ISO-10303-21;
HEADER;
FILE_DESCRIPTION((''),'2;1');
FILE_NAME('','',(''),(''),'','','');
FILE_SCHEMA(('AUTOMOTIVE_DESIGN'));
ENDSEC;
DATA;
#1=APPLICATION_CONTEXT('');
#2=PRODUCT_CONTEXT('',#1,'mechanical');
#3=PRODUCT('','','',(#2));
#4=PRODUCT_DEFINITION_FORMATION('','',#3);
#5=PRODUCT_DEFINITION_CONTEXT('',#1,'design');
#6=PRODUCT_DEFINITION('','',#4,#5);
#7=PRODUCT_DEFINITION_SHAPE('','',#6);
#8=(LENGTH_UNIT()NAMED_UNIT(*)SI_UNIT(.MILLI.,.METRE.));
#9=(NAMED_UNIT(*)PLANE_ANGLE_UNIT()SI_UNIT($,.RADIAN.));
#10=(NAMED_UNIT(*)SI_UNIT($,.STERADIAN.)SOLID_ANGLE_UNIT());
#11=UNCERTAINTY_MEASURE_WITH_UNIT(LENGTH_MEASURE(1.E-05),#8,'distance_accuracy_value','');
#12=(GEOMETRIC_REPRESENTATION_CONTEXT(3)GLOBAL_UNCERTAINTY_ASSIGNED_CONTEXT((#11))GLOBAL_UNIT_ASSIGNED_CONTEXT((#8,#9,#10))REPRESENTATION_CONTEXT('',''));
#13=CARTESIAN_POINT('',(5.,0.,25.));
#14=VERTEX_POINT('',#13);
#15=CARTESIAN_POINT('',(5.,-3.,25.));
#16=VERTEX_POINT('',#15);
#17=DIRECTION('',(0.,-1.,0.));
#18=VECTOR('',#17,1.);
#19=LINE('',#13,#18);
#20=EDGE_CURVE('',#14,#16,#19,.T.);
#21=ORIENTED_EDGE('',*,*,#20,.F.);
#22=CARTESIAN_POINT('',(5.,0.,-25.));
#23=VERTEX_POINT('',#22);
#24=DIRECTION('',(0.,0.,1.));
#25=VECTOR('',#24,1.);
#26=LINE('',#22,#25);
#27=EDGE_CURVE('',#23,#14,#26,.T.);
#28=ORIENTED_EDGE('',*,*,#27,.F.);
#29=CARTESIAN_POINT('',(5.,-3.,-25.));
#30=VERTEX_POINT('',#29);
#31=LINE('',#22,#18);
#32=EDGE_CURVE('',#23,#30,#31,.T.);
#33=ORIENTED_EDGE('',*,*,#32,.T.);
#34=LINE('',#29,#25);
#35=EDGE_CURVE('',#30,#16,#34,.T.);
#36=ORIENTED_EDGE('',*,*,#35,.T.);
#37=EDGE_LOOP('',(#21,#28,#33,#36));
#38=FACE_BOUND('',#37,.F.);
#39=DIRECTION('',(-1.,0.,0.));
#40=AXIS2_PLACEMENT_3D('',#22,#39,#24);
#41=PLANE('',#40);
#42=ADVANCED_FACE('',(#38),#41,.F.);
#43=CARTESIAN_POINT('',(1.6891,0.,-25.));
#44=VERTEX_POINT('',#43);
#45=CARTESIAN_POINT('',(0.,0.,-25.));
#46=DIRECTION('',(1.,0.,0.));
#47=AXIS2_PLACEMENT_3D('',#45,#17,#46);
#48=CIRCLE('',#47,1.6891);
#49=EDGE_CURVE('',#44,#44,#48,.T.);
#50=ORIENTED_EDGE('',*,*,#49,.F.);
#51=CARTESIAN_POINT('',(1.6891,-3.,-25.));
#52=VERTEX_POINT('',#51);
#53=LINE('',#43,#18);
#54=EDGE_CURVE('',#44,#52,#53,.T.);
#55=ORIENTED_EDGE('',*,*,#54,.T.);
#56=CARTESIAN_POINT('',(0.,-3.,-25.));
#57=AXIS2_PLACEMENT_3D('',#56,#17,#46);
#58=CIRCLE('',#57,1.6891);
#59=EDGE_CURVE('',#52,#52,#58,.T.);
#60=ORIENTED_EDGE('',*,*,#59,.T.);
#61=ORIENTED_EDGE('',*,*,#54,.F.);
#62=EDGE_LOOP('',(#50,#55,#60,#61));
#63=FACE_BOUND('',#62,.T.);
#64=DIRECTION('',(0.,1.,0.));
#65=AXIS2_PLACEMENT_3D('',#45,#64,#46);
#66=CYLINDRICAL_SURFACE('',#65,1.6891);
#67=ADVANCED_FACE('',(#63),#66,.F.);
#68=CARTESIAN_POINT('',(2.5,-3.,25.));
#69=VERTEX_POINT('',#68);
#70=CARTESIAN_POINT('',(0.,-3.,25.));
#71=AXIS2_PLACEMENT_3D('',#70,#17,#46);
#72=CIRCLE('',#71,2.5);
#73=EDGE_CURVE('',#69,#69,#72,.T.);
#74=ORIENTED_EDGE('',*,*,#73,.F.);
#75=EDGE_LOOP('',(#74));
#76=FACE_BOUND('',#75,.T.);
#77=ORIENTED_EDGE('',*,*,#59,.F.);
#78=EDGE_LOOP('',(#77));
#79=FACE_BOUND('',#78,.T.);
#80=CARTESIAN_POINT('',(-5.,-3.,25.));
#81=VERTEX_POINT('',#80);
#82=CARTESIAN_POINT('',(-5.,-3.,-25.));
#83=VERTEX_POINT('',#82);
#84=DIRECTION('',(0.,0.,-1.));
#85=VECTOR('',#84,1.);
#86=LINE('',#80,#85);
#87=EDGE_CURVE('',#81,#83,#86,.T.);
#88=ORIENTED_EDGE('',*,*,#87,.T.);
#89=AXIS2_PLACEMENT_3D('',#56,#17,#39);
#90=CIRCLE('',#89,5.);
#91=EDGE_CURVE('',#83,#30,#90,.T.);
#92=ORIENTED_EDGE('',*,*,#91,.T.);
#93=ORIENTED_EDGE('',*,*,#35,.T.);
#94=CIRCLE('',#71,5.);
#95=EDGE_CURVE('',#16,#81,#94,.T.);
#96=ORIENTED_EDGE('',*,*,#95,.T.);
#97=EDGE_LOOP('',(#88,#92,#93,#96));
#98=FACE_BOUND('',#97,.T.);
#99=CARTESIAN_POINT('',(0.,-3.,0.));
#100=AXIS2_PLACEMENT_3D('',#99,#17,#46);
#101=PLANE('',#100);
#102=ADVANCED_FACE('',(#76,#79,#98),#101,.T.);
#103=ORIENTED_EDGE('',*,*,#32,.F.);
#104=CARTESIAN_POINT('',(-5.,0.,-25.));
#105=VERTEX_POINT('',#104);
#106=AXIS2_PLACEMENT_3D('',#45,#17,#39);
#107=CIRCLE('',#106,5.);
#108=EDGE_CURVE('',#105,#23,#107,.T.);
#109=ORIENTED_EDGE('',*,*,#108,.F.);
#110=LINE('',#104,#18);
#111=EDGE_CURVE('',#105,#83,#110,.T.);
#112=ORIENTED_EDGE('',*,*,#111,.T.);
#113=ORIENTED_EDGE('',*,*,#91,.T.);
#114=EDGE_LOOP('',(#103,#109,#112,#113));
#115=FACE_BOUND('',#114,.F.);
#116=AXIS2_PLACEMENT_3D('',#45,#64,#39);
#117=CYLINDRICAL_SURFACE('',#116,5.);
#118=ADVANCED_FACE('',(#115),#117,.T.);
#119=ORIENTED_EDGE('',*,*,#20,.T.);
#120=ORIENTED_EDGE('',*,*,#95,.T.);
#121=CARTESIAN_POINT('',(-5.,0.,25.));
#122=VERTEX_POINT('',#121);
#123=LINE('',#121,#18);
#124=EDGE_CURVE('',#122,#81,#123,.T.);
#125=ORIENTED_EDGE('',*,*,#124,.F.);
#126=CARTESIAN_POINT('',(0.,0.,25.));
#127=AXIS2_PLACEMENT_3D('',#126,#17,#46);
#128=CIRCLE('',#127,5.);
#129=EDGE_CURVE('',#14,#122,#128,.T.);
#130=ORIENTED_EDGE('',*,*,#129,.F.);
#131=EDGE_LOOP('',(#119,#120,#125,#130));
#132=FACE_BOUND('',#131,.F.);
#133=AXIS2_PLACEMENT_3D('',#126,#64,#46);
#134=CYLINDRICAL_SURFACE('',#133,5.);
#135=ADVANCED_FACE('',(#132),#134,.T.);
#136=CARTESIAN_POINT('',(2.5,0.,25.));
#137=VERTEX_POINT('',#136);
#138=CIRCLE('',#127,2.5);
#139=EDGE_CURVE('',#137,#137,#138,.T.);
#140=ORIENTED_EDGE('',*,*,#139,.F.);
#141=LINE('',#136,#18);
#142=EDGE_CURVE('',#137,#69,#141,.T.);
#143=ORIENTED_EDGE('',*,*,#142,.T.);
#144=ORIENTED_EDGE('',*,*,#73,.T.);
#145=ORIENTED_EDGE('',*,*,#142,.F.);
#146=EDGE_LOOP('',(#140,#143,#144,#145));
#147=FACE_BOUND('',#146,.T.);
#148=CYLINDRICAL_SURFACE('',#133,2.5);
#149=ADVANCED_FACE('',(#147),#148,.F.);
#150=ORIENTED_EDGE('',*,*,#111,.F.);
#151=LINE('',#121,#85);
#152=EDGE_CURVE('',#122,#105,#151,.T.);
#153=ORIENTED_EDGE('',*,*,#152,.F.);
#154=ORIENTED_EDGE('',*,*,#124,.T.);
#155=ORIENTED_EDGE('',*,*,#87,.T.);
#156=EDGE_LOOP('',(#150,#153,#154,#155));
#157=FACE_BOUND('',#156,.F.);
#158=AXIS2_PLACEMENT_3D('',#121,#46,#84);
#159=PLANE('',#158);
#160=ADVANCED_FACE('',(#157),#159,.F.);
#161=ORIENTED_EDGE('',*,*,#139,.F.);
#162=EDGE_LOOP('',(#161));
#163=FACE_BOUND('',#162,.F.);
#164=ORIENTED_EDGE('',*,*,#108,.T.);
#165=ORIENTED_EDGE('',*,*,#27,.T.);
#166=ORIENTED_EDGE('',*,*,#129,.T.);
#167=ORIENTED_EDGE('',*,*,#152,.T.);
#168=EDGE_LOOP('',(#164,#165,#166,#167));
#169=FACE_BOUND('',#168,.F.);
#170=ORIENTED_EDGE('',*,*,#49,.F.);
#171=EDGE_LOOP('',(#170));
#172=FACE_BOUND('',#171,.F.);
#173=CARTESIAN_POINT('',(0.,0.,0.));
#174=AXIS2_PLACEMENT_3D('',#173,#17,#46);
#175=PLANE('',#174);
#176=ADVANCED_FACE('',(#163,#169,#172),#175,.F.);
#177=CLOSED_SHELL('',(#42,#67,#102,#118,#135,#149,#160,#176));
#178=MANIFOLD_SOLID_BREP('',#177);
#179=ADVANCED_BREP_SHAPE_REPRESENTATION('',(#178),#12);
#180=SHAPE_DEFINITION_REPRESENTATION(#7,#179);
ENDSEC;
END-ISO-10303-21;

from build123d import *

# Parameters (mm, degrees)
F0_R     = 1.6891
F0_R_2   = 2.5
F1_DEPTH = 3


with BuildPart() as f1:
    # F0 (on Front) → F1 (new body)
    with BuildSketch(Plane.XZ):
        with BuildLine():
            ThreePointArc((-5, -25), (0, -30), (5, -25))
            Line((5, -25), (5, 25))
            ThreePointArc((5, 25), (0, 30), (-5, 25))
            Line((-5, 25), (-5, -25))
        make_face()
        with Locations((0, -25)):
            Circle(F0_R, mode=Mode.SUBTRACT)
        with Locations((0, 25)):
            Circle(F0_R_2, mode=Mode.SUBTRACT)
    extrude(amount=F1_DEPTH)


solid = f1.part
